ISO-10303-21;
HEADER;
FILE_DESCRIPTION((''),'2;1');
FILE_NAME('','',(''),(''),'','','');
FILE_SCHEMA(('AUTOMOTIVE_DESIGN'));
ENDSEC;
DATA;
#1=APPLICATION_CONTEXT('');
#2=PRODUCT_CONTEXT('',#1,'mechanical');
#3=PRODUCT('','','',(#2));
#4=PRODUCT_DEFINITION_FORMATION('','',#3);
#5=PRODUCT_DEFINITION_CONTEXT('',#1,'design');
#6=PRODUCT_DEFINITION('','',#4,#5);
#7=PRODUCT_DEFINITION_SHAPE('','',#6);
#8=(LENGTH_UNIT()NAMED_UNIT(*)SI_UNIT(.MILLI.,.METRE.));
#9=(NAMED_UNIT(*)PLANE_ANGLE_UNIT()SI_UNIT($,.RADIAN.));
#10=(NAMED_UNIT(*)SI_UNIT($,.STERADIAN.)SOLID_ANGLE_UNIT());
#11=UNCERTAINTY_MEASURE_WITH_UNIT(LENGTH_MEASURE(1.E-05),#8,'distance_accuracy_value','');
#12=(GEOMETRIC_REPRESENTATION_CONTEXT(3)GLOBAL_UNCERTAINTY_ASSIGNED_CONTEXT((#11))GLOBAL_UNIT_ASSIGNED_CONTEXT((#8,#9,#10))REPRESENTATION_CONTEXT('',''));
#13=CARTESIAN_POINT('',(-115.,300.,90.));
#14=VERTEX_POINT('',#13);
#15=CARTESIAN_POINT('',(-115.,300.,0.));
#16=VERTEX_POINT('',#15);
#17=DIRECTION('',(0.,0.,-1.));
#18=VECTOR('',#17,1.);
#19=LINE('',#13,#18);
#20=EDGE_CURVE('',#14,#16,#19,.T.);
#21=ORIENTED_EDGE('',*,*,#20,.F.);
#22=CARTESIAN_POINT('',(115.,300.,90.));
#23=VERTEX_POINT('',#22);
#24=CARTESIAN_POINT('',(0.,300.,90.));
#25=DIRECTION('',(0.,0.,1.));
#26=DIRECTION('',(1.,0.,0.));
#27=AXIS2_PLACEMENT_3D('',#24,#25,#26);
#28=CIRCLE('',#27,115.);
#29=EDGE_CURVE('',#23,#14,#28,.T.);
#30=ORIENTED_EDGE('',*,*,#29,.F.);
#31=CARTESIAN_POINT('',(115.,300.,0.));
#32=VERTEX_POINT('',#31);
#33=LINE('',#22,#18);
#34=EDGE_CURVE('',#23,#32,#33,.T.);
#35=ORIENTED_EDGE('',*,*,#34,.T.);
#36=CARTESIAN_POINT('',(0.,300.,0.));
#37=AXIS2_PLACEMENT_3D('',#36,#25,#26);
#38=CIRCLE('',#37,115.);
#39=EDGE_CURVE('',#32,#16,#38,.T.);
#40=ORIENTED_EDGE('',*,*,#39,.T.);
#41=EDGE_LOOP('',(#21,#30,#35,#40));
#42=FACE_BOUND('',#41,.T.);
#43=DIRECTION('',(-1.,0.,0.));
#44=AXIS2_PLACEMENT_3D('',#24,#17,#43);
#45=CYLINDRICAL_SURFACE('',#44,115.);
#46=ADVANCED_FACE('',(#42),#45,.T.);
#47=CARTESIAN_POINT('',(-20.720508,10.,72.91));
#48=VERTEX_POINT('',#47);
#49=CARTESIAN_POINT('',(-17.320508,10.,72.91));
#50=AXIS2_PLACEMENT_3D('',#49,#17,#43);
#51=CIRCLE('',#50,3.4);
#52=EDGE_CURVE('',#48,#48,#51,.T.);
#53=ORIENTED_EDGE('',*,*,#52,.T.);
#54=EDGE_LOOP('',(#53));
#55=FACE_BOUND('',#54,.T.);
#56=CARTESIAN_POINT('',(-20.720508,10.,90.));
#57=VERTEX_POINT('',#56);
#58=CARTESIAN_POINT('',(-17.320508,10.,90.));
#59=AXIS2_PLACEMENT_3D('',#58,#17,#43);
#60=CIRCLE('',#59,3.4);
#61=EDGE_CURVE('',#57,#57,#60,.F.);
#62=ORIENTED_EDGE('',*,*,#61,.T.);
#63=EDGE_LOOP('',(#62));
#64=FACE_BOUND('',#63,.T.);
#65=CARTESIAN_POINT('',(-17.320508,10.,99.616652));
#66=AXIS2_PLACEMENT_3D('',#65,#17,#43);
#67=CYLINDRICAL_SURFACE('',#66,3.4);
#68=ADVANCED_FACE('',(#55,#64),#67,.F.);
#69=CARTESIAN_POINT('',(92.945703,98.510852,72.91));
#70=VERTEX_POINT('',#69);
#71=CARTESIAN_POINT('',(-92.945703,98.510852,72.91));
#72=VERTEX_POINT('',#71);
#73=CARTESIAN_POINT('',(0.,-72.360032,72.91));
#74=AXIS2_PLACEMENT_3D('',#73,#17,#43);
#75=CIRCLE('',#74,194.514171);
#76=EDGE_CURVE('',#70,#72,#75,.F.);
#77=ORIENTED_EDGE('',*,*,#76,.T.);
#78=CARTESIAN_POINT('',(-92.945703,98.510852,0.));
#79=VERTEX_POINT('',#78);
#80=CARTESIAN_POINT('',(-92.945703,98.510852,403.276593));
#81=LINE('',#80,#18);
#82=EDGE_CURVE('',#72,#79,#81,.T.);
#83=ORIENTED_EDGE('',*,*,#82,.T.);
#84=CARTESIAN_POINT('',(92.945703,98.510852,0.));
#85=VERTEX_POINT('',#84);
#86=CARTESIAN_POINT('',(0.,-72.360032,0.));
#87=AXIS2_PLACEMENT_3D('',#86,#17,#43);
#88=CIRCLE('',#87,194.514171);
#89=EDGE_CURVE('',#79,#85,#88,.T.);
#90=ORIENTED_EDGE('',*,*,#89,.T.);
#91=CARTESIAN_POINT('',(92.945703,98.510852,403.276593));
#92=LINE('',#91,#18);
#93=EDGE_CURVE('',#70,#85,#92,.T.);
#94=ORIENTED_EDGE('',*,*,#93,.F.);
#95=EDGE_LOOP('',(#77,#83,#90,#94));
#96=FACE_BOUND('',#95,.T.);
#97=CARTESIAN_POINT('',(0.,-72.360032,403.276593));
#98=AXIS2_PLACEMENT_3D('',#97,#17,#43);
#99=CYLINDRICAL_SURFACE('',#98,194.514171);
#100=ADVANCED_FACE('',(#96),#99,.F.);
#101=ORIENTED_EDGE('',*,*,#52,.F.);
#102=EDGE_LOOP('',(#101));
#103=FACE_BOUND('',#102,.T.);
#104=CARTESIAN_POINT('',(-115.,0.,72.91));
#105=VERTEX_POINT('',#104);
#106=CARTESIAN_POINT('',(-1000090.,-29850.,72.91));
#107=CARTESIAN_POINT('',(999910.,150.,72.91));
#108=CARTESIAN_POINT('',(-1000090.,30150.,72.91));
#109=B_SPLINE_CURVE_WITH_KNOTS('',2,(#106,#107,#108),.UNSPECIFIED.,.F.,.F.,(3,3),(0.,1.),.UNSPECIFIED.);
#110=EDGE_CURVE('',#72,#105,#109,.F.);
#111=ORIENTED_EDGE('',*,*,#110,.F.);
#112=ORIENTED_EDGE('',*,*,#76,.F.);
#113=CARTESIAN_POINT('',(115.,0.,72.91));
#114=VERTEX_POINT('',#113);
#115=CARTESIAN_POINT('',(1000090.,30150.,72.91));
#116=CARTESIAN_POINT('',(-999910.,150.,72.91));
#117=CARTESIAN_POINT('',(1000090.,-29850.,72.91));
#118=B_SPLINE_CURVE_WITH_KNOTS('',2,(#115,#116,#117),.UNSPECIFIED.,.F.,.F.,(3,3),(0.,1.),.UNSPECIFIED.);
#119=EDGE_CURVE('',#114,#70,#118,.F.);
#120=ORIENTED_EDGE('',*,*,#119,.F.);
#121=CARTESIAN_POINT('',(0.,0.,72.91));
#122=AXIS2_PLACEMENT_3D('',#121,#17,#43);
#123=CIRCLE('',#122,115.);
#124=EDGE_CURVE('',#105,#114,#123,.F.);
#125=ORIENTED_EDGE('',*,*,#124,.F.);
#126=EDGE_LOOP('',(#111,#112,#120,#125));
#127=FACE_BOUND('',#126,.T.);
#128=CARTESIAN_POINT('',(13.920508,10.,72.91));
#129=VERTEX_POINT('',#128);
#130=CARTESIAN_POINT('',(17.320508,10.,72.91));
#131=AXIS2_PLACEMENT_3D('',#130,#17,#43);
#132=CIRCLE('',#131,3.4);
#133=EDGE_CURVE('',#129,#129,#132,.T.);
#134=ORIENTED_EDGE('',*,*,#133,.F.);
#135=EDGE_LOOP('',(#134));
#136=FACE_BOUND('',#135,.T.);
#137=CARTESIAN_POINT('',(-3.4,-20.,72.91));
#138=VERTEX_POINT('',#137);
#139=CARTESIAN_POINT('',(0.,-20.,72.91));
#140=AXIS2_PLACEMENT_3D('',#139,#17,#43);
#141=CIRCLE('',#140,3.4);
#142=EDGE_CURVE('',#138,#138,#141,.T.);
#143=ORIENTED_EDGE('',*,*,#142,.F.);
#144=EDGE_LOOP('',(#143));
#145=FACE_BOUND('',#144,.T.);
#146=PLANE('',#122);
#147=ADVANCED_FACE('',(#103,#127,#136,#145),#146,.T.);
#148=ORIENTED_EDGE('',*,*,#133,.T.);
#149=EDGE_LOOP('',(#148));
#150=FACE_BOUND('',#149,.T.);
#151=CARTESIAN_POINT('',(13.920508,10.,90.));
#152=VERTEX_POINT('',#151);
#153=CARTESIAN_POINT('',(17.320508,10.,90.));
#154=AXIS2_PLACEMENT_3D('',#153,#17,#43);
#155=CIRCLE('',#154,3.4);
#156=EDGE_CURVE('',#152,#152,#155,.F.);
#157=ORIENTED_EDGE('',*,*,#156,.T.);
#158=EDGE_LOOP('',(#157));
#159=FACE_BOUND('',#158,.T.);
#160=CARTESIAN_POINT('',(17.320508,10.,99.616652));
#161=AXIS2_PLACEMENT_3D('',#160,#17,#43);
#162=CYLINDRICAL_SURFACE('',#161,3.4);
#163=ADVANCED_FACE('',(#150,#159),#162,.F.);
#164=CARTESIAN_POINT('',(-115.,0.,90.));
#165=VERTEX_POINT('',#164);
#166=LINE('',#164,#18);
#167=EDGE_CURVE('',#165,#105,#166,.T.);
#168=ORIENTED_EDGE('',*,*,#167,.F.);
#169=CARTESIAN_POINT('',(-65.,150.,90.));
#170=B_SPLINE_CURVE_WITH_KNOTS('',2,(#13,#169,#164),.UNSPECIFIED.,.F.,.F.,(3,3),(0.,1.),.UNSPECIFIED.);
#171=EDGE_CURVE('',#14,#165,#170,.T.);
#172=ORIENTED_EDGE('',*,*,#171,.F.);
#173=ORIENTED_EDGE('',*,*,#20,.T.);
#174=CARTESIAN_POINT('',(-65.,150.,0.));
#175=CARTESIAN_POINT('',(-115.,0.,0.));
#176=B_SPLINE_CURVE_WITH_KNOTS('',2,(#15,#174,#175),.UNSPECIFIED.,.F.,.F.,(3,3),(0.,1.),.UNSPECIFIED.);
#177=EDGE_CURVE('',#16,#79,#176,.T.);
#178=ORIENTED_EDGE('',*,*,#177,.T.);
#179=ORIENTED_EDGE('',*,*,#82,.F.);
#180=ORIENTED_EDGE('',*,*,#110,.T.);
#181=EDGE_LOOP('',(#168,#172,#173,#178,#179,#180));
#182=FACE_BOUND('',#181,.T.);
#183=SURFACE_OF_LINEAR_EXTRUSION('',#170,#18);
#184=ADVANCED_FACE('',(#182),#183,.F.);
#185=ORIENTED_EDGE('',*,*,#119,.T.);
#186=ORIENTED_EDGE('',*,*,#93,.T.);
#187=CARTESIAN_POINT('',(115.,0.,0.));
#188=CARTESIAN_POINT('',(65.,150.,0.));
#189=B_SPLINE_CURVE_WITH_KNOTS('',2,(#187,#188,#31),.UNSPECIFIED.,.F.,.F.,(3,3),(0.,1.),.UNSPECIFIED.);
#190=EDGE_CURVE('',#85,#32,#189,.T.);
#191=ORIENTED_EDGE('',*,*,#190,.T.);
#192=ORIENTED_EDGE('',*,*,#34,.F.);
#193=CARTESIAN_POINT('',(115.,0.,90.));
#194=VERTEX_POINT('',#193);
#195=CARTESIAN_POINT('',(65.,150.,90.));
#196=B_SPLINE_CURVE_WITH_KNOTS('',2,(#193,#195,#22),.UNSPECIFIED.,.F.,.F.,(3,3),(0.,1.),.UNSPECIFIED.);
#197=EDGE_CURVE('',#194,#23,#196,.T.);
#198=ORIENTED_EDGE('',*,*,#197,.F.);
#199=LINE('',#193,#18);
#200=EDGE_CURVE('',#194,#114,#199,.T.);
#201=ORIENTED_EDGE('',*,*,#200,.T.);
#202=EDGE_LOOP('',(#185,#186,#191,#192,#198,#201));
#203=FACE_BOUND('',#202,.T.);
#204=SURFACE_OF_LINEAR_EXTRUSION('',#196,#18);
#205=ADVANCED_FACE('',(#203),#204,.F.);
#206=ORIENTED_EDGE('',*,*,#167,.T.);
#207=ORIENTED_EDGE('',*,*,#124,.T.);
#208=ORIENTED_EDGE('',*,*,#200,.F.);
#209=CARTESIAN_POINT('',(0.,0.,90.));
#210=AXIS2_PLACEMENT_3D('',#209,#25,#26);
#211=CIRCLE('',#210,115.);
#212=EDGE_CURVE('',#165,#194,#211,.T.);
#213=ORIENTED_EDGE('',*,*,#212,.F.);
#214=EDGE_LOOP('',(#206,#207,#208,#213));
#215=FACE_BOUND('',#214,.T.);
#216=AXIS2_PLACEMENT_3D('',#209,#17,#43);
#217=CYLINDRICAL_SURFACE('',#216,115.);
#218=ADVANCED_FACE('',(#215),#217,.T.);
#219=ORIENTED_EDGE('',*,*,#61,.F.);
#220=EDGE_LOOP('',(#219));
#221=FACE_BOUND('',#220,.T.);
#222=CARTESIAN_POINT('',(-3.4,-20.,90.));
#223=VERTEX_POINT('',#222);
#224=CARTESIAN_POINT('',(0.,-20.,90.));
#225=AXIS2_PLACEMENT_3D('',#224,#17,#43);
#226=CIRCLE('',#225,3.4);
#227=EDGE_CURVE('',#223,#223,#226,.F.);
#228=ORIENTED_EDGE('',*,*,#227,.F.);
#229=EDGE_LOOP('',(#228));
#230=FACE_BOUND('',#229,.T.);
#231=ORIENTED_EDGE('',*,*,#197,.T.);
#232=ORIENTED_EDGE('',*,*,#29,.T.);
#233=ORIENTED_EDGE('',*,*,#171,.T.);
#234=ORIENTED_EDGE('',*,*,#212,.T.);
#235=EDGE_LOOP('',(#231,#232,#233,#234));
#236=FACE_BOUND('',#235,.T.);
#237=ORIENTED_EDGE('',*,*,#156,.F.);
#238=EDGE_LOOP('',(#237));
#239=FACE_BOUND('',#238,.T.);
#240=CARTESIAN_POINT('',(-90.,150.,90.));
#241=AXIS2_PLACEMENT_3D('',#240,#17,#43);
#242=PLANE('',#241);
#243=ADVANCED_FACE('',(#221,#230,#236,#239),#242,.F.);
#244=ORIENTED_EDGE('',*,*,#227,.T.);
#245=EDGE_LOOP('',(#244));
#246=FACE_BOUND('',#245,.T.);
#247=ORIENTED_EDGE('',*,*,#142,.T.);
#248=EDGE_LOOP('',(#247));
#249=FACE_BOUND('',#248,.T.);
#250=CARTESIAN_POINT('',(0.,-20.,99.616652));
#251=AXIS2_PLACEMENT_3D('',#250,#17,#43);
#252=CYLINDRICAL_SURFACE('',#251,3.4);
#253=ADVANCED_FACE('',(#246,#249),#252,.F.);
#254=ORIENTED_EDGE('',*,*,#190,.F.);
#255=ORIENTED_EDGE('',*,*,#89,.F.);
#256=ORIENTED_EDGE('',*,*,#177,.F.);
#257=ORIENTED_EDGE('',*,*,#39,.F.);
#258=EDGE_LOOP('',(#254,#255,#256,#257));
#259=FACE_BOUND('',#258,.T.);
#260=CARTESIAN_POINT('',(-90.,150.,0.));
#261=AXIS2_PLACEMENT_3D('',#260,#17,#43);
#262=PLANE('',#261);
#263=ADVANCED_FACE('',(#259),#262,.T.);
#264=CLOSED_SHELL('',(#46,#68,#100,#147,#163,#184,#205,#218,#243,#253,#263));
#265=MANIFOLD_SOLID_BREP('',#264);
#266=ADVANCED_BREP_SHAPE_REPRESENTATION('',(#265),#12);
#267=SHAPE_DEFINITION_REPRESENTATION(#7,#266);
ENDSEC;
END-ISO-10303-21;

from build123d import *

# Parameters (mm, degrees)
BOSS_EXTRUDE1_DEPTH = 90
SKETCH2_R           = 97.5
CUT_EXTRUDE1_DEPTH  = 72.91
CUT_EXTRUDE10_DEPTH = 72.91
SKETCH13_R          = 3.4
CUT_EXTRUDE13_DEPTH = 17.09


with BuildPart() as part:
    # Sketch1 → Boss-Extrude1 (new body)
    with BuildSketch(Plane(origin=(0, 0, 0), x_dir=(0, 1, 0), z_dir=(0, 0, 1))):
        with BuildLine():
            ThreePointArc((0, 115), (-115, 0), (0, -115))
            add(Edge.make_bspline(
                [(0, -115), (150, -65), (300, -115)],
                knots=[0, 0, 0, 1, 1, 1], degree=2))
            ThreePointArc((300, -115), (415, 0), (300, 115))
            add(Edge.make_bspline(
                [(0, 115), (150, 65), (300, 115)],
                knots=[0, 0, 0, 1, 1, 1], degree=2))
        make_face()
    extrude(amount=BOSS_EXTRUDE1_DEPTH)

    # Sketch2 → Cut-Extrude1 (cut)
    with BuildSketch(Plane(origin=(0, 0, 0), x_dir=(1, 0, 0), z_dir=(0, 0, -1))):
        with Locations(Location((0, 0, 0), (0, 0, 180))):
            Circle(SKETCH2_R)
    extrude(amount=-CUT_EXTRUDE1_DEPTH, mode=Mode.SUBTRACT)

    # Sketch10 → Cut-Extrude10 (cut)
    with BuildSketch(Plane(origin=(0, 0, 0), x_dir=(1, 0, 0), z_dir=(0, 0, -1))):
        with BuildLine():
            ThreePointArc((115, 0), (0, 115), (-115, 0))
            add(Edge.make_bspline(
                [(-92.945702649, -98.510851787), (-98.581524702, -49.255425893), (-115, 0)],
                knots=[0, 0, 0, 1, 1, 1], degree=2))
            ThreePointArc((-92.945702649, -98.510851787), (0, -122.154138558), (92.945702649, -98.510851787))
            add(Edge.make_bspline(
                [(115, 0), (98.581524702, -49.255425893), (92.945702649, -98.510851787)],
                knots=[0, 0, 0, 1, 1, 1], degree=2))
        make_face()
    extrude(amount=-CUT_EXTRUDE10_DEPTH, mode=Mode.SUBTRACT)

    # Sketch13 → Cut-Extrude13 (cut)
    with BuildSketch(Plane(origin=(0, 0, 72.91), x_dir=(1, 0, 0), z_dir=(0, 0, -1))):
        with Locations(Location((0, 20, 0), (0, 0, 180))):
            Circle(SKETCH13_R)
        with Locations(Location((-17.320508076, -10, 0), (0, 0, 180))):
            Circle(SKETCH13_R)
        with Locations(Location((17.320508076, -10, 0), (0, 0, 180))):
            Circle(SKETCH13_R)
    extrude(amount=-CUT_EXTRUDE13_DEPTH, mode=Mode.SUBTRACT)


solid = part.part
